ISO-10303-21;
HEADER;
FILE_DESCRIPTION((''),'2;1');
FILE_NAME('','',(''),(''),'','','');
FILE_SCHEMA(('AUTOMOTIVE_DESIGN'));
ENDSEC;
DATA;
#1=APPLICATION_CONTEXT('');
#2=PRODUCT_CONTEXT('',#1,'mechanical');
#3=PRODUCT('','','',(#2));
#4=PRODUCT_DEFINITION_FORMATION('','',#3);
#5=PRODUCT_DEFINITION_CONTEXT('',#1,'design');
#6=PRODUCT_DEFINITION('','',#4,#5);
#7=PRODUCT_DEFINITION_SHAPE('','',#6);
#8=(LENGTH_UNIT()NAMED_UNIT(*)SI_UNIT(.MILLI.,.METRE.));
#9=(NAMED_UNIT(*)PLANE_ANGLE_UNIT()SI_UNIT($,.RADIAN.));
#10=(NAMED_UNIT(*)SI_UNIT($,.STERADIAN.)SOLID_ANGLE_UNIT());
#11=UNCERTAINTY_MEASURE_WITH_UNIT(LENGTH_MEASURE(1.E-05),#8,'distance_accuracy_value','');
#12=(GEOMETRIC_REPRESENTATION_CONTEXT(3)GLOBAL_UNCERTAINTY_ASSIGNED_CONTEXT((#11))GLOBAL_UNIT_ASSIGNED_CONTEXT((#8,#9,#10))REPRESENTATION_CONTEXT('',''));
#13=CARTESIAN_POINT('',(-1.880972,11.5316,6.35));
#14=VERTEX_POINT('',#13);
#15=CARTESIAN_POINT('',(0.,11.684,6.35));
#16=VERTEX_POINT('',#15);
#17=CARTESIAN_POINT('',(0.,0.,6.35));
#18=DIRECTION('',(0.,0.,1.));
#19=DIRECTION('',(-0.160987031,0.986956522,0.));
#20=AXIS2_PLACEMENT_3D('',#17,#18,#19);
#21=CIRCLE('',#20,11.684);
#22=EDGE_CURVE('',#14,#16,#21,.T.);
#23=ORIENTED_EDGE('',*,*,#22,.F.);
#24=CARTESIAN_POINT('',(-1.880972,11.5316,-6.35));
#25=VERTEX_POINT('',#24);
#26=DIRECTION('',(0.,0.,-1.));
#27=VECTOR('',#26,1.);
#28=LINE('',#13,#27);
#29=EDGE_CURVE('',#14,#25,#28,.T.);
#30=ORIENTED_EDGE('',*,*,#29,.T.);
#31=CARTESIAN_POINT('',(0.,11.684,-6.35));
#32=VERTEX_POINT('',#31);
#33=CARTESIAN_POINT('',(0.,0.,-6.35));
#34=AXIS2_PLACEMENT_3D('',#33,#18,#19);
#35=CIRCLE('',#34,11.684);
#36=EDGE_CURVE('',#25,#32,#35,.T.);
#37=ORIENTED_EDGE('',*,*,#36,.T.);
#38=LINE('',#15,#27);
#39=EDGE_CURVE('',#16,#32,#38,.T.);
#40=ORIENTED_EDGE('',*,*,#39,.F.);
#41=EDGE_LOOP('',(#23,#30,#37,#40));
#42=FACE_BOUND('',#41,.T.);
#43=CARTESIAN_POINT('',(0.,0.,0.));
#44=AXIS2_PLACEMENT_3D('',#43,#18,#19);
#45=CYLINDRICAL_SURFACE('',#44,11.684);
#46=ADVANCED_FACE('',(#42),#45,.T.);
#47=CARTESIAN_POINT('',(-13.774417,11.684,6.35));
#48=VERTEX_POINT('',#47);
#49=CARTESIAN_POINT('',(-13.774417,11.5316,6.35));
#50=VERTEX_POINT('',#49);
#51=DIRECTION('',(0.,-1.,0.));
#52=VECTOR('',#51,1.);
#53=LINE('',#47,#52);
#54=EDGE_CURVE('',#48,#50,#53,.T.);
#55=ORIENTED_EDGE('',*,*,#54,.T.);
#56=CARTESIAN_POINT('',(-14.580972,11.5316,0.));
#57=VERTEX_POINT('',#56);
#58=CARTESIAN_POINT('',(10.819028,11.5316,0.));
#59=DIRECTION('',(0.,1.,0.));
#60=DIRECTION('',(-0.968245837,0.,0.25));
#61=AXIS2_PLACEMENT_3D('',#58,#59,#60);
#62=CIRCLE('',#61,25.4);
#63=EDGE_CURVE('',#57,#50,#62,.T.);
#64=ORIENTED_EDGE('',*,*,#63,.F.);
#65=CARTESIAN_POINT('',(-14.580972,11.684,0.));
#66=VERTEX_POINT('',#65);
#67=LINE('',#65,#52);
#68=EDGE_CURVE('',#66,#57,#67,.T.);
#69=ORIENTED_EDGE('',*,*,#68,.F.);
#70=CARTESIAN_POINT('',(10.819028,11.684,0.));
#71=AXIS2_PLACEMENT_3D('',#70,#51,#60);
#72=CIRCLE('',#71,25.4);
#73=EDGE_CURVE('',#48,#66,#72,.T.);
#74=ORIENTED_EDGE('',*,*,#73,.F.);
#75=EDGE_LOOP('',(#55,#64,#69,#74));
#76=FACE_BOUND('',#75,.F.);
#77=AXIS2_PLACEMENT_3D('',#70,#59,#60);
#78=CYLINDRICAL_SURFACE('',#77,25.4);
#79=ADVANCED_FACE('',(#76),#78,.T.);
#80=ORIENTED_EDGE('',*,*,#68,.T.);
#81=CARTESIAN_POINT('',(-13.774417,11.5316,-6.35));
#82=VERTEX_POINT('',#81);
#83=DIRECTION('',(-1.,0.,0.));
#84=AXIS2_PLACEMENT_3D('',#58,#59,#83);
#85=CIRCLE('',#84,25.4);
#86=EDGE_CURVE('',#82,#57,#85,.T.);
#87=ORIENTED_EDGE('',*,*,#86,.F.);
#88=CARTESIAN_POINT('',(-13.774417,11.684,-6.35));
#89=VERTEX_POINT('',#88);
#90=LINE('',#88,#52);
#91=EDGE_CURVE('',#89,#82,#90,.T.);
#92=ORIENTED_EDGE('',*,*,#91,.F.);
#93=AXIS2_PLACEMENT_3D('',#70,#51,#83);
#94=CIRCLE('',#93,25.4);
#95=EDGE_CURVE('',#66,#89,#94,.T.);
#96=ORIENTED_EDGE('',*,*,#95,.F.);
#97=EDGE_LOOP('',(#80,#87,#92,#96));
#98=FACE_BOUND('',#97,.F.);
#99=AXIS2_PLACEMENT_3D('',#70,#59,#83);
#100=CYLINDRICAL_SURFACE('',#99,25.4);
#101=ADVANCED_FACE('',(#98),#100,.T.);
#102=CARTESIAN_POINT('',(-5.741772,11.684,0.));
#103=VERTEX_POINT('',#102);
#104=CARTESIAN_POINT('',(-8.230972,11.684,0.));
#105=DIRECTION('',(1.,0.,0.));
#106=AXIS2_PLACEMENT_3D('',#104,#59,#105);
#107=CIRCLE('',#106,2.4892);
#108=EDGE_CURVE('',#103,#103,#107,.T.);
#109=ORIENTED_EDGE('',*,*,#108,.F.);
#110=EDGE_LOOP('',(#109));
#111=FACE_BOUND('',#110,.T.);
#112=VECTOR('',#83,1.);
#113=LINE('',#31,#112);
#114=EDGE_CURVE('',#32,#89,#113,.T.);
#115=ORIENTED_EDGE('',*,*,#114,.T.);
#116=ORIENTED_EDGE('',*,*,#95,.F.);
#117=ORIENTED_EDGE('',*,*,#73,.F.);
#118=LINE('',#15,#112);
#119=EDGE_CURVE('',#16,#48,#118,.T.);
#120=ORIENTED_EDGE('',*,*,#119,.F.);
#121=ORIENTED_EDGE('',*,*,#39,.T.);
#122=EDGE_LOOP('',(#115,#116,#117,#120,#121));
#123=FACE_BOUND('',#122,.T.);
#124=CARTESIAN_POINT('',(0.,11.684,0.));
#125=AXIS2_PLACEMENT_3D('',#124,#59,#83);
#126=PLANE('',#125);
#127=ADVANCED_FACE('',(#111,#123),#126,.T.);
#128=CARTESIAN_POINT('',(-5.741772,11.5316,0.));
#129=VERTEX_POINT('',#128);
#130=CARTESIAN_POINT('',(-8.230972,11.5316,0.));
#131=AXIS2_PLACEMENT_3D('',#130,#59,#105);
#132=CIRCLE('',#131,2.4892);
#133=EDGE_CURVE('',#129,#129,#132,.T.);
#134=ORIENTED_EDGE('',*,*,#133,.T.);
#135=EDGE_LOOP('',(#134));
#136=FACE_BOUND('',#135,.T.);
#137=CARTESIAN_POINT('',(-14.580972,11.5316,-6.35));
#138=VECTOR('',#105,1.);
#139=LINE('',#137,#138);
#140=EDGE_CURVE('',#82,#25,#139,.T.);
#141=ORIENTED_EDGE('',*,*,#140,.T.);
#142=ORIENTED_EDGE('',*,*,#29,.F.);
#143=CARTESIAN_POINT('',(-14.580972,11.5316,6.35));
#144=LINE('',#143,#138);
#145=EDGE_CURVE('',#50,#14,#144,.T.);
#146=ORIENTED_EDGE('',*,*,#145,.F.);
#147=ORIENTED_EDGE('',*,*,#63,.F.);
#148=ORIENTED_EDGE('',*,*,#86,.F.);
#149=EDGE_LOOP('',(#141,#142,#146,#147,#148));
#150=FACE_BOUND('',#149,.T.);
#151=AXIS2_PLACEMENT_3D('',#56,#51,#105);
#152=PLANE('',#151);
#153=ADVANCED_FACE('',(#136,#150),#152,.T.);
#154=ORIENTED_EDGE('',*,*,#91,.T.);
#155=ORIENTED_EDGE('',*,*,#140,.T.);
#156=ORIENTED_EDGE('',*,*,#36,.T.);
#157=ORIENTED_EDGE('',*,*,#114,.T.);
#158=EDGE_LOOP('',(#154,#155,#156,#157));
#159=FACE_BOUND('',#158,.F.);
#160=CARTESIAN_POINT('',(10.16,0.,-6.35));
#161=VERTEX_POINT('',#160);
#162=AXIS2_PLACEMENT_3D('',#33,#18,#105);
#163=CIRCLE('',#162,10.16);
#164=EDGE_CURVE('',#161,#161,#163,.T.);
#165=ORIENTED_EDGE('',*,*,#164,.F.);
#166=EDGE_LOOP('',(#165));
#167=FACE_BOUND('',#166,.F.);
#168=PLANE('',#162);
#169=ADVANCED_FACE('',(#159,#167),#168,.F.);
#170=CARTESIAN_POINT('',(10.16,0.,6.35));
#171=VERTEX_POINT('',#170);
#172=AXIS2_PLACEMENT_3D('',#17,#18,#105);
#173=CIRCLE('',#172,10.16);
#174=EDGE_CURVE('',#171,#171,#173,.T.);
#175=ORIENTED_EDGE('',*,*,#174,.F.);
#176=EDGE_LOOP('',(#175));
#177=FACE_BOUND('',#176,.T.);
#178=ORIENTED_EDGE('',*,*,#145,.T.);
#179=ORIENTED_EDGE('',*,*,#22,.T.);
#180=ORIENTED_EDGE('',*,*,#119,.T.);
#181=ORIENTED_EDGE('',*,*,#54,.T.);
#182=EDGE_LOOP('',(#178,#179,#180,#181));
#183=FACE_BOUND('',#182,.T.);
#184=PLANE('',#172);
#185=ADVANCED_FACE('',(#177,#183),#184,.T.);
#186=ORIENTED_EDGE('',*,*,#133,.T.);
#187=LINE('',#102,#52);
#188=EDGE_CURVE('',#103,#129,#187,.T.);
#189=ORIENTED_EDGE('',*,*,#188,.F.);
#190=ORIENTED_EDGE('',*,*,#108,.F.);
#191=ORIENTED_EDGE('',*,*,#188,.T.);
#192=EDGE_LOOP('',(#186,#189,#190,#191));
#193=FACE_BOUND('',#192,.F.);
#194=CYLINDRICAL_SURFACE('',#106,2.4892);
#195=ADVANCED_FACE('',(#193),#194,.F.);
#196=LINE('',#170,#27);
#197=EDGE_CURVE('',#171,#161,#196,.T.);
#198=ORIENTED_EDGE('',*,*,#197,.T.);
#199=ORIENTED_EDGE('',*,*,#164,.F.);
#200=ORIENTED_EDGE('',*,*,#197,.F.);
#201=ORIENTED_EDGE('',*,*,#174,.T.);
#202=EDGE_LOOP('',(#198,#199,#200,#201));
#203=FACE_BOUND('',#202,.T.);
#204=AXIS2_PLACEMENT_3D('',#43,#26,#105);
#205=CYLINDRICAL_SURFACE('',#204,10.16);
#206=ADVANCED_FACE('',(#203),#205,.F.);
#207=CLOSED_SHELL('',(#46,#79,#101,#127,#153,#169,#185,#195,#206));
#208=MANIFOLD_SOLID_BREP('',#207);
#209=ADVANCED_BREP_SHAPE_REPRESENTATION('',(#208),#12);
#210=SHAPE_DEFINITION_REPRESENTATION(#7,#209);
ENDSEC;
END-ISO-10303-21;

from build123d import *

# Parameters (mm, degrees)
SKETCH1_R           = 11.684
SKETCH1_R_2         = 10.16
BOSS_EXTRUDE1_DEPTH = 6.35
CUT_EXTRUDE1_REACH  = 25.368
SKETCH5_R           = 2.4892


with BuildPart() as part:
    # Sketch1 → Boss-Extrude1 (new body, symmetric)
    with BuildSketch(Plane.XY):
        Circle(SKETCH1_R)
        Circle(SKETCH1_R_2, mode=Mode.SUBTRACT)
        with BuildLine():
            ThreePointArc((-1.880972472, 11.5316), (-0.943568122, 11.645837677), (0, 11.684))
            Line((0, 11.684), (-14.580972472, 11.684))
            Line((-14.580972472, 11.684), (-14.580972472, 11.5316))
            Line((-14.580972472, 11.5316), (-1.880972472, 11.5316))
        make_face()
    extrude(amount=BOSS_EXTRUDE1_DEPTH, both=True)

    # Sketch5 → Cut-Extrude1 (cut, up to next)
    with BuildSketch(Plane(origin=(0, 11.684, 0), x_dir=(1, 0, 0), z_dir=(0, 1, 0)), mode=Mode.PRIVATE) as cut_extrude1_sk1:
        with BuildLine():
            ThreePointArc((-14.580972472, 0), (-14.378526757, 3.200509029), (-13.77441672, 6.35))
            Line((-13.77441672, 6.35), (-14.580972472, 6.35))
            Line((-14.580972472, 6.35), (-14.580972472, 0))
        make_face()
    cut_extrude1_tool1 = extrude(cut_extrude1_sk1.sketch, amount=-CUT_EXTRUDE1_REACH, mode=Mode.PRIVATE) & part.part
    add(cut_extrude1_tool1.solids().sort_by_distance((-14.339679, 11.684, -4.767585))[0], mode=Mode.SUBTRACT)
    # Sketch5 → Cut-Extrude1 (cut, up to next)
    with BuildSketch(Plane(origin=(0, 11.684, 0), x_dir=(1, 0, 0), z_dir=(0, 1, 0)), mode=Mode.PRIVATE) as cut_extrude1_sk2:
        with BuildLine():
            ThreePointArc((-13.77441672, -6.35), (-14.378526757, -3.200509029), (-14.580972472, 0))
            Line((-14.580972472, 0), (-14.580972472, -6.35))
            Line((-14.580972472, -6.35), (-13.77441672, -6.35))
        make_face()
    cut_extrude1_tool2 = extrude(cut_extrude1_sk2.sketch, amount=-CUT_EXTRUDE1_REACH, mode=Mode.PRIVATE) & part.part
    add(cut_extrude1_tool2.solids().sort_by_distance((-14.339679, 11.684, 4.767585))[0], mode=Mode.SUBTRACT)
    # Sketch5 → Cut-Extrude1 (cut, up to next)
    with BuildSketch(Plane(origin=(0, 11.684, 0), x_dir=(1, 0, 0), z_dir=(0, 1, 0)), mode=Mode.PRIVATE) as cut_extrude1_sk3:
        with Locations((-8.230972472, 0)):
            Circle(SKETCH5_R)
    cut_extrude1_tool3 = extrude(cut_extrude1_sk3.sketch, amount=-CUT_EXTRUDE1_REACH, mode=Mode.PRIVATE) & part.part
    add(cut_extrude1_tool3.solids().sort_by_distance((-8.230972, 11.684, 0))[0], mode=Mode.SUBTRACT)


solid = part.part
